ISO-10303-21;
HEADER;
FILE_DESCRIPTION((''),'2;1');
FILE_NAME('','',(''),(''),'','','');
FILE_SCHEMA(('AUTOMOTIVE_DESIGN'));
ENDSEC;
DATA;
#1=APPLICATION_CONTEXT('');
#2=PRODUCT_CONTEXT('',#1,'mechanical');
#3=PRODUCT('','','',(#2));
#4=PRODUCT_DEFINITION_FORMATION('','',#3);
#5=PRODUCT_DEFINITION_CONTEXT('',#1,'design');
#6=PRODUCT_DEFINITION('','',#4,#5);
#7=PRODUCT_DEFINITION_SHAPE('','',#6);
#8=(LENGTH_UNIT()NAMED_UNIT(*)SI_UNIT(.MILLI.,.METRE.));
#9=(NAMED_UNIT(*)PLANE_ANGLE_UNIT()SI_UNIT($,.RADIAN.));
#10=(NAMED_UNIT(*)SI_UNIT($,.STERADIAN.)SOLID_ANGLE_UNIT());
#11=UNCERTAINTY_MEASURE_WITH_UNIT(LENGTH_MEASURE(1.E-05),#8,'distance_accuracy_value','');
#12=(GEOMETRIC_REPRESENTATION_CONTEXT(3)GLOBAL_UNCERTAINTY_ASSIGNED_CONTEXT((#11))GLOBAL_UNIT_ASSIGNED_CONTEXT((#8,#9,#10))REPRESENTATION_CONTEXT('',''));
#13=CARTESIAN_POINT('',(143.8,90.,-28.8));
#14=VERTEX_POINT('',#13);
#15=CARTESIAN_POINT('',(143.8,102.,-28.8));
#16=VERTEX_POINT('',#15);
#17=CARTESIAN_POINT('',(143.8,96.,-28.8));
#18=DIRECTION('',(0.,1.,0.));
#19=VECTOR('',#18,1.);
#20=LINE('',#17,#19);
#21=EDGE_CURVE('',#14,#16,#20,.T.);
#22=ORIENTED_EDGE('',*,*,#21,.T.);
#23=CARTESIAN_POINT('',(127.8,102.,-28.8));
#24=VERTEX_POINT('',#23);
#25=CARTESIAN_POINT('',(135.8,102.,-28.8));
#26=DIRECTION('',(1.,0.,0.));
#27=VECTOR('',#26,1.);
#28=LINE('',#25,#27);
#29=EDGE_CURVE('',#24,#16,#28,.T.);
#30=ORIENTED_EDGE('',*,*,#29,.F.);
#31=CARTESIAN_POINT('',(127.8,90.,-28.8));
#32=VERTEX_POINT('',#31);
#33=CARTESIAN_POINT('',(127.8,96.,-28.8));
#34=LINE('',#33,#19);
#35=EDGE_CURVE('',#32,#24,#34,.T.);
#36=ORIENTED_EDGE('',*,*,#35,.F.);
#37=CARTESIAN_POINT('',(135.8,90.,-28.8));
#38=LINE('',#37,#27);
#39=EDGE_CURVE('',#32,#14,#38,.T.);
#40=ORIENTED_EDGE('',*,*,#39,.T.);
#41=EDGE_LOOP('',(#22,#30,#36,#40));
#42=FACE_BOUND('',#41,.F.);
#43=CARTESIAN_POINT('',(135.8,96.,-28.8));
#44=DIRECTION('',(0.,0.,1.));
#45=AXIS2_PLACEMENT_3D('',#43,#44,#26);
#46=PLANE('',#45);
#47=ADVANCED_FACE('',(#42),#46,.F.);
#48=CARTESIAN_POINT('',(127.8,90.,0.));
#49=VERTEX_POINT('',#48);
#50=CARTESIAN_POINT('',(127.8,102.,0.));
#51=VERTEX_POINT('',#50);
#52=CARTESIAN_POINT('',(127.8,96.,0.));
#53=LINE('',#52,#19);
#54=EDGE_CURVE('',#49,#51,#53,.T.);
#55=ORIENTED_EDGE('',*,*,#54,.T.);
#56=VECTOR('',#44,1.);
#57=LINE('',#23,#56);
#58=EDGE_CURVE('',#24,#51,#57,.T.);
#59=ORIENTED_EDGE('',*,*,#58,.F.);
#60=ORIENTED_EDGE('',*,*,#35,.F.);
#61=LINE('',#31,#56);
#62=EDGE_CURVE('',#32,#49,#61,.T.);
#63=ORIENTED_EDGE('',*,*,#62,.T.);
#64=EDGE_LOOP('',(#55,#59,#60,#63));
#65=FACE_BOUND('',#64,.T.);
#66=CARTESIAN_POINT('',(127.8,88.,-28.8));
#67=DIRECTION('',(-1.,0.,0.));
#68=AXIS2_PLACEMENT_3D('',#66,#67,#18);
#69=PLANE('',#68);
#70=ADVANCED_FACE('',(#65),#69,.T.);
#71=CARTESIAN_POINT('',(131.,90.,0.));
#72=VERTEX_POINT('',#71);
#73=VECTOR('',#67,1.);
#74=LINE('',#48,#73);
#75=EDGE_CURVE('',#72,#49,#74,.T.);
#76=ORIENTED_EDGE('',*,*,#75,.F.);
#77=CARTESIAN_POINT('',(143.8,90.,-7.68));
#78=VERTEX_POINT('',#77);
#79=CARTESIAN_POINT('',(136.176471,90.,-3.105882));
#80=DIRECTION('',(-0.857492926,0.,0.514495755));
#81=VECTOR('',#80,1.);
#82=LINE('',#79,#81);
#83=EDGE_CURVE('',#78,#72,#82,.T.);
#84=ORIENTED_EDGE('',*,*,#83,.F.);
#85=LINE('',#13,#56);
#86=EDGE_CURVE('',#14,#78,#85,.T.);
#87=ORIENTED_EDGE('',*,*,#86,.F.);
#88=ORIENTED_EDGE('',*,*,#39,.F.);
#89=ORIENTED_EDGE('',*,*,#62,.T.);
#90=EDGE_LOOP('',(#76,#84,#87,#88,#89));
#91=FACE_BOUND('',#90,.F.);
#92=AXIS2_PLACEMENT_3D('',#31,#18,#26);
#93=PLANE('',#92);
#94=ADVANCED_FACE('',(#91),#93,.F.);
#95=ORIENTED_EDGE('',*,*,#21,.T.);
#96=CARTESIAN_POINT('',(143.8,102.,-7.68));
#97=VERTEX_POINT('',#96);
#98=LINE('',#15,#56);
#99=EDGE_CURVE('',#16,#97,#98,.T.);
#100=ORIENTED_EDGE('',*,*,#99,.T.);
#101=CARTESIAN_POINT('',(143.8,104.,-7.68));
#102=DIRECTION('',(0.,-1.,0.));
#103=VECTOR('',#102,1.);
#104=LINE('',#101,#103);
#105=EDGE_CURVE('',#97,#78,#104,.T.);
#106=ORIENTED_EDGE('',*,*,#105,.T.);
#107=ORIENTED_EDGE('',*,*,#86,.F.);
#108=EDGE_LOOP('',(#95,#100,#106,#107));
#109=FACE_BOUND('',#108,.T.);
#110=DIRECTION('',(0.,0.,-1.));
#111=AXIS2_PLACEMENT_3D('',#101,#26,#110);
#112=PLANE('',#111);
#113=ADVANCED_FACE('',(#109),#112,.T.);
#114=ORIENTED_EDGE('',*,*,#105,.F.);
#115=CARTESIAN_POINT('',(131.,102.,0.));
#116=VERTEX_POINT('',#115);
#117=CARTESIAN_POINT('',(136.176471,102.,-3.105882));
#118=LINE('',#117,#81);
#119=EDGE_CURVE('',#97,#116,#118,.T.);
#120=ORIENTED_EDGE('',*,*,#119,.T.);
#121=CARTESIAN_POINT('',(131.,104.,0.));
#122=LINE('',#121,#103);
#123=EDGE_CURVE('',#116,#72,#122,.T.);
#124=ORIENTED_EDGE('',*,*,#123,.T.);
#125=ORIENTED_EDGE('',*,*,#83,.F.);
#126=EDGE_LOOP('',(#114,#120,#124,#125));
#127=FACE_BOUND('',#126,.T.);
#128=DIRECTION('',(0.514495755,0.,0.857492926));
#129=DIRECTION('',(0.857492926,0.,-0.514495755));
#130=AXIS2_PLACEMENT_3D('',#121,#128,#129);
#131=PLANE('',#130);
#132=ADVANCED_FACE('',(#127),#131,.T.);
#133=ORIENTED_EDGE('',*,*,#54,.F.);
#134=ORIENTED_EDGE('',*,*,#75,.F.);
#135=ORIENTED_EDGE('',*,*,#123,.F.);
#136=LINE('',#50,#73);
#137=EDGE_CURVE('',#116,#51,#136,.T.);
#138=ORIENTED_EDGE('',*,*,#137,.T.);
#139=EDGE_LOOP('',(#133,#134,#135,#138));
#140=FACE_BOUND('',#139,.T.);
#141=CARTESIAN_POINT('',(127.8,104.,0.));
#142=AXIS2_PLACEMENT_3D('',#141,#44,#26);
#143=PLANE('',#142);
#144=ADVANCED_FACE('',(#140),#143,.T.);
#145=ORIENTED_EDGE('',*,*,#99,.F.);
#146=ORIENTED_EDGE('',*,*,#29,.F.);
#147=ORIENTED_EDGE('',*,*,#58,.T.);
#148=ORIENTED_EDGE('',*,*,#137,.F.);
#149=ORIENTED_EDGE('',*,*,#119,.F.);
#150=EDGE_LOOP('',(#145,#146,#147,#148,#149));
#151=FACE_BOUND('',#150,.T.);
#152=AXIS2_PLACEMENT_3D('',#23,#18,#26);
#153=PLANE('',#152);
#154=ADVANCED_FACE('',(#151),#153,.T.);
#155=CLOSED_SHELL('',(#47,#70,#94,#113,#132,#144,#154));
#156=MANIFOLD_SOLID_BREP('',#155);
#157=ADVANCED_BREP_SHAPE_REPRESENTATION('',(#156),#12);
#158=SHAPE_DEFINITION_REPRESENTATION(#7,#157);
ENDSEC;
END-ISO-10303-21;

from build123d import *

# Parameters (mm, degrees)
SKETCH008_W     = 16
SKETCH008_H     = 16
PAD006_DEPTH    = 28.8
POCKET002_DEPTH = 16
PAD129_DEPTH    = 16
SKETCH186_W     = 16
SKETCH186_H     = 2
POCKET068_DEPTH = 30


with BuildPart() as part:
    # Sketch008 (on Face80 of Binder002) → Pad006 (new body)
    with BuildSketch(Plane.XY.offset(-28.8)):
        with Locations((135.8, 96)):
            Rectangle(SKETCH008_W, SKETCH008_H)
    extrude(amount=PAD006_DEPTH)

    # Sketch009 (on Face2 of Pad006) → Pocket002 (cut)
    with BuildSketch(Plane.XZ.offset(-88)):
        Polygon((143.8, -9.6), (127.8, 0), (143.8, 0), align=None)
    extrude(amount=-POCKET002_DEPTH, mode=Mode.SUBTRACT)

    # Sketch129 (on Face2 of Pocket002) → Pad129 (join)
    with BuildSketch(Plane(origin=(0, 104, 0), x_dir=(-1, 0, 0), z_dir=(0, 1, 0))):
        Polygon((-127.8, 0), (-131, 0), (-143.8, -7.68), (-143.8, -10.88), (-131, -3.2), (-127.8, -3.2), align=None)
    extrude(amount=-PAD129_DEPTH)

    # Sketch186 (on Face1 of Pad129) → Pocket068 (cut)
    with BuildSketch(Plane(origin=(0, 0, -28.8), x_dir=(1, 0, 0), z_dir=(0, 0, -1))):
        with Locations((135.8, -89)):
            Rectangle(SKETCH186_W, SKETCH186_H)
        with Locations((135.8, -103)):
            Rectangle(SKETCH186_W, SKETCH186_H)
    extrude(amount=-POCKET068_DEPTH, mode=Mode.SUBTRACT)


solid = part.part
